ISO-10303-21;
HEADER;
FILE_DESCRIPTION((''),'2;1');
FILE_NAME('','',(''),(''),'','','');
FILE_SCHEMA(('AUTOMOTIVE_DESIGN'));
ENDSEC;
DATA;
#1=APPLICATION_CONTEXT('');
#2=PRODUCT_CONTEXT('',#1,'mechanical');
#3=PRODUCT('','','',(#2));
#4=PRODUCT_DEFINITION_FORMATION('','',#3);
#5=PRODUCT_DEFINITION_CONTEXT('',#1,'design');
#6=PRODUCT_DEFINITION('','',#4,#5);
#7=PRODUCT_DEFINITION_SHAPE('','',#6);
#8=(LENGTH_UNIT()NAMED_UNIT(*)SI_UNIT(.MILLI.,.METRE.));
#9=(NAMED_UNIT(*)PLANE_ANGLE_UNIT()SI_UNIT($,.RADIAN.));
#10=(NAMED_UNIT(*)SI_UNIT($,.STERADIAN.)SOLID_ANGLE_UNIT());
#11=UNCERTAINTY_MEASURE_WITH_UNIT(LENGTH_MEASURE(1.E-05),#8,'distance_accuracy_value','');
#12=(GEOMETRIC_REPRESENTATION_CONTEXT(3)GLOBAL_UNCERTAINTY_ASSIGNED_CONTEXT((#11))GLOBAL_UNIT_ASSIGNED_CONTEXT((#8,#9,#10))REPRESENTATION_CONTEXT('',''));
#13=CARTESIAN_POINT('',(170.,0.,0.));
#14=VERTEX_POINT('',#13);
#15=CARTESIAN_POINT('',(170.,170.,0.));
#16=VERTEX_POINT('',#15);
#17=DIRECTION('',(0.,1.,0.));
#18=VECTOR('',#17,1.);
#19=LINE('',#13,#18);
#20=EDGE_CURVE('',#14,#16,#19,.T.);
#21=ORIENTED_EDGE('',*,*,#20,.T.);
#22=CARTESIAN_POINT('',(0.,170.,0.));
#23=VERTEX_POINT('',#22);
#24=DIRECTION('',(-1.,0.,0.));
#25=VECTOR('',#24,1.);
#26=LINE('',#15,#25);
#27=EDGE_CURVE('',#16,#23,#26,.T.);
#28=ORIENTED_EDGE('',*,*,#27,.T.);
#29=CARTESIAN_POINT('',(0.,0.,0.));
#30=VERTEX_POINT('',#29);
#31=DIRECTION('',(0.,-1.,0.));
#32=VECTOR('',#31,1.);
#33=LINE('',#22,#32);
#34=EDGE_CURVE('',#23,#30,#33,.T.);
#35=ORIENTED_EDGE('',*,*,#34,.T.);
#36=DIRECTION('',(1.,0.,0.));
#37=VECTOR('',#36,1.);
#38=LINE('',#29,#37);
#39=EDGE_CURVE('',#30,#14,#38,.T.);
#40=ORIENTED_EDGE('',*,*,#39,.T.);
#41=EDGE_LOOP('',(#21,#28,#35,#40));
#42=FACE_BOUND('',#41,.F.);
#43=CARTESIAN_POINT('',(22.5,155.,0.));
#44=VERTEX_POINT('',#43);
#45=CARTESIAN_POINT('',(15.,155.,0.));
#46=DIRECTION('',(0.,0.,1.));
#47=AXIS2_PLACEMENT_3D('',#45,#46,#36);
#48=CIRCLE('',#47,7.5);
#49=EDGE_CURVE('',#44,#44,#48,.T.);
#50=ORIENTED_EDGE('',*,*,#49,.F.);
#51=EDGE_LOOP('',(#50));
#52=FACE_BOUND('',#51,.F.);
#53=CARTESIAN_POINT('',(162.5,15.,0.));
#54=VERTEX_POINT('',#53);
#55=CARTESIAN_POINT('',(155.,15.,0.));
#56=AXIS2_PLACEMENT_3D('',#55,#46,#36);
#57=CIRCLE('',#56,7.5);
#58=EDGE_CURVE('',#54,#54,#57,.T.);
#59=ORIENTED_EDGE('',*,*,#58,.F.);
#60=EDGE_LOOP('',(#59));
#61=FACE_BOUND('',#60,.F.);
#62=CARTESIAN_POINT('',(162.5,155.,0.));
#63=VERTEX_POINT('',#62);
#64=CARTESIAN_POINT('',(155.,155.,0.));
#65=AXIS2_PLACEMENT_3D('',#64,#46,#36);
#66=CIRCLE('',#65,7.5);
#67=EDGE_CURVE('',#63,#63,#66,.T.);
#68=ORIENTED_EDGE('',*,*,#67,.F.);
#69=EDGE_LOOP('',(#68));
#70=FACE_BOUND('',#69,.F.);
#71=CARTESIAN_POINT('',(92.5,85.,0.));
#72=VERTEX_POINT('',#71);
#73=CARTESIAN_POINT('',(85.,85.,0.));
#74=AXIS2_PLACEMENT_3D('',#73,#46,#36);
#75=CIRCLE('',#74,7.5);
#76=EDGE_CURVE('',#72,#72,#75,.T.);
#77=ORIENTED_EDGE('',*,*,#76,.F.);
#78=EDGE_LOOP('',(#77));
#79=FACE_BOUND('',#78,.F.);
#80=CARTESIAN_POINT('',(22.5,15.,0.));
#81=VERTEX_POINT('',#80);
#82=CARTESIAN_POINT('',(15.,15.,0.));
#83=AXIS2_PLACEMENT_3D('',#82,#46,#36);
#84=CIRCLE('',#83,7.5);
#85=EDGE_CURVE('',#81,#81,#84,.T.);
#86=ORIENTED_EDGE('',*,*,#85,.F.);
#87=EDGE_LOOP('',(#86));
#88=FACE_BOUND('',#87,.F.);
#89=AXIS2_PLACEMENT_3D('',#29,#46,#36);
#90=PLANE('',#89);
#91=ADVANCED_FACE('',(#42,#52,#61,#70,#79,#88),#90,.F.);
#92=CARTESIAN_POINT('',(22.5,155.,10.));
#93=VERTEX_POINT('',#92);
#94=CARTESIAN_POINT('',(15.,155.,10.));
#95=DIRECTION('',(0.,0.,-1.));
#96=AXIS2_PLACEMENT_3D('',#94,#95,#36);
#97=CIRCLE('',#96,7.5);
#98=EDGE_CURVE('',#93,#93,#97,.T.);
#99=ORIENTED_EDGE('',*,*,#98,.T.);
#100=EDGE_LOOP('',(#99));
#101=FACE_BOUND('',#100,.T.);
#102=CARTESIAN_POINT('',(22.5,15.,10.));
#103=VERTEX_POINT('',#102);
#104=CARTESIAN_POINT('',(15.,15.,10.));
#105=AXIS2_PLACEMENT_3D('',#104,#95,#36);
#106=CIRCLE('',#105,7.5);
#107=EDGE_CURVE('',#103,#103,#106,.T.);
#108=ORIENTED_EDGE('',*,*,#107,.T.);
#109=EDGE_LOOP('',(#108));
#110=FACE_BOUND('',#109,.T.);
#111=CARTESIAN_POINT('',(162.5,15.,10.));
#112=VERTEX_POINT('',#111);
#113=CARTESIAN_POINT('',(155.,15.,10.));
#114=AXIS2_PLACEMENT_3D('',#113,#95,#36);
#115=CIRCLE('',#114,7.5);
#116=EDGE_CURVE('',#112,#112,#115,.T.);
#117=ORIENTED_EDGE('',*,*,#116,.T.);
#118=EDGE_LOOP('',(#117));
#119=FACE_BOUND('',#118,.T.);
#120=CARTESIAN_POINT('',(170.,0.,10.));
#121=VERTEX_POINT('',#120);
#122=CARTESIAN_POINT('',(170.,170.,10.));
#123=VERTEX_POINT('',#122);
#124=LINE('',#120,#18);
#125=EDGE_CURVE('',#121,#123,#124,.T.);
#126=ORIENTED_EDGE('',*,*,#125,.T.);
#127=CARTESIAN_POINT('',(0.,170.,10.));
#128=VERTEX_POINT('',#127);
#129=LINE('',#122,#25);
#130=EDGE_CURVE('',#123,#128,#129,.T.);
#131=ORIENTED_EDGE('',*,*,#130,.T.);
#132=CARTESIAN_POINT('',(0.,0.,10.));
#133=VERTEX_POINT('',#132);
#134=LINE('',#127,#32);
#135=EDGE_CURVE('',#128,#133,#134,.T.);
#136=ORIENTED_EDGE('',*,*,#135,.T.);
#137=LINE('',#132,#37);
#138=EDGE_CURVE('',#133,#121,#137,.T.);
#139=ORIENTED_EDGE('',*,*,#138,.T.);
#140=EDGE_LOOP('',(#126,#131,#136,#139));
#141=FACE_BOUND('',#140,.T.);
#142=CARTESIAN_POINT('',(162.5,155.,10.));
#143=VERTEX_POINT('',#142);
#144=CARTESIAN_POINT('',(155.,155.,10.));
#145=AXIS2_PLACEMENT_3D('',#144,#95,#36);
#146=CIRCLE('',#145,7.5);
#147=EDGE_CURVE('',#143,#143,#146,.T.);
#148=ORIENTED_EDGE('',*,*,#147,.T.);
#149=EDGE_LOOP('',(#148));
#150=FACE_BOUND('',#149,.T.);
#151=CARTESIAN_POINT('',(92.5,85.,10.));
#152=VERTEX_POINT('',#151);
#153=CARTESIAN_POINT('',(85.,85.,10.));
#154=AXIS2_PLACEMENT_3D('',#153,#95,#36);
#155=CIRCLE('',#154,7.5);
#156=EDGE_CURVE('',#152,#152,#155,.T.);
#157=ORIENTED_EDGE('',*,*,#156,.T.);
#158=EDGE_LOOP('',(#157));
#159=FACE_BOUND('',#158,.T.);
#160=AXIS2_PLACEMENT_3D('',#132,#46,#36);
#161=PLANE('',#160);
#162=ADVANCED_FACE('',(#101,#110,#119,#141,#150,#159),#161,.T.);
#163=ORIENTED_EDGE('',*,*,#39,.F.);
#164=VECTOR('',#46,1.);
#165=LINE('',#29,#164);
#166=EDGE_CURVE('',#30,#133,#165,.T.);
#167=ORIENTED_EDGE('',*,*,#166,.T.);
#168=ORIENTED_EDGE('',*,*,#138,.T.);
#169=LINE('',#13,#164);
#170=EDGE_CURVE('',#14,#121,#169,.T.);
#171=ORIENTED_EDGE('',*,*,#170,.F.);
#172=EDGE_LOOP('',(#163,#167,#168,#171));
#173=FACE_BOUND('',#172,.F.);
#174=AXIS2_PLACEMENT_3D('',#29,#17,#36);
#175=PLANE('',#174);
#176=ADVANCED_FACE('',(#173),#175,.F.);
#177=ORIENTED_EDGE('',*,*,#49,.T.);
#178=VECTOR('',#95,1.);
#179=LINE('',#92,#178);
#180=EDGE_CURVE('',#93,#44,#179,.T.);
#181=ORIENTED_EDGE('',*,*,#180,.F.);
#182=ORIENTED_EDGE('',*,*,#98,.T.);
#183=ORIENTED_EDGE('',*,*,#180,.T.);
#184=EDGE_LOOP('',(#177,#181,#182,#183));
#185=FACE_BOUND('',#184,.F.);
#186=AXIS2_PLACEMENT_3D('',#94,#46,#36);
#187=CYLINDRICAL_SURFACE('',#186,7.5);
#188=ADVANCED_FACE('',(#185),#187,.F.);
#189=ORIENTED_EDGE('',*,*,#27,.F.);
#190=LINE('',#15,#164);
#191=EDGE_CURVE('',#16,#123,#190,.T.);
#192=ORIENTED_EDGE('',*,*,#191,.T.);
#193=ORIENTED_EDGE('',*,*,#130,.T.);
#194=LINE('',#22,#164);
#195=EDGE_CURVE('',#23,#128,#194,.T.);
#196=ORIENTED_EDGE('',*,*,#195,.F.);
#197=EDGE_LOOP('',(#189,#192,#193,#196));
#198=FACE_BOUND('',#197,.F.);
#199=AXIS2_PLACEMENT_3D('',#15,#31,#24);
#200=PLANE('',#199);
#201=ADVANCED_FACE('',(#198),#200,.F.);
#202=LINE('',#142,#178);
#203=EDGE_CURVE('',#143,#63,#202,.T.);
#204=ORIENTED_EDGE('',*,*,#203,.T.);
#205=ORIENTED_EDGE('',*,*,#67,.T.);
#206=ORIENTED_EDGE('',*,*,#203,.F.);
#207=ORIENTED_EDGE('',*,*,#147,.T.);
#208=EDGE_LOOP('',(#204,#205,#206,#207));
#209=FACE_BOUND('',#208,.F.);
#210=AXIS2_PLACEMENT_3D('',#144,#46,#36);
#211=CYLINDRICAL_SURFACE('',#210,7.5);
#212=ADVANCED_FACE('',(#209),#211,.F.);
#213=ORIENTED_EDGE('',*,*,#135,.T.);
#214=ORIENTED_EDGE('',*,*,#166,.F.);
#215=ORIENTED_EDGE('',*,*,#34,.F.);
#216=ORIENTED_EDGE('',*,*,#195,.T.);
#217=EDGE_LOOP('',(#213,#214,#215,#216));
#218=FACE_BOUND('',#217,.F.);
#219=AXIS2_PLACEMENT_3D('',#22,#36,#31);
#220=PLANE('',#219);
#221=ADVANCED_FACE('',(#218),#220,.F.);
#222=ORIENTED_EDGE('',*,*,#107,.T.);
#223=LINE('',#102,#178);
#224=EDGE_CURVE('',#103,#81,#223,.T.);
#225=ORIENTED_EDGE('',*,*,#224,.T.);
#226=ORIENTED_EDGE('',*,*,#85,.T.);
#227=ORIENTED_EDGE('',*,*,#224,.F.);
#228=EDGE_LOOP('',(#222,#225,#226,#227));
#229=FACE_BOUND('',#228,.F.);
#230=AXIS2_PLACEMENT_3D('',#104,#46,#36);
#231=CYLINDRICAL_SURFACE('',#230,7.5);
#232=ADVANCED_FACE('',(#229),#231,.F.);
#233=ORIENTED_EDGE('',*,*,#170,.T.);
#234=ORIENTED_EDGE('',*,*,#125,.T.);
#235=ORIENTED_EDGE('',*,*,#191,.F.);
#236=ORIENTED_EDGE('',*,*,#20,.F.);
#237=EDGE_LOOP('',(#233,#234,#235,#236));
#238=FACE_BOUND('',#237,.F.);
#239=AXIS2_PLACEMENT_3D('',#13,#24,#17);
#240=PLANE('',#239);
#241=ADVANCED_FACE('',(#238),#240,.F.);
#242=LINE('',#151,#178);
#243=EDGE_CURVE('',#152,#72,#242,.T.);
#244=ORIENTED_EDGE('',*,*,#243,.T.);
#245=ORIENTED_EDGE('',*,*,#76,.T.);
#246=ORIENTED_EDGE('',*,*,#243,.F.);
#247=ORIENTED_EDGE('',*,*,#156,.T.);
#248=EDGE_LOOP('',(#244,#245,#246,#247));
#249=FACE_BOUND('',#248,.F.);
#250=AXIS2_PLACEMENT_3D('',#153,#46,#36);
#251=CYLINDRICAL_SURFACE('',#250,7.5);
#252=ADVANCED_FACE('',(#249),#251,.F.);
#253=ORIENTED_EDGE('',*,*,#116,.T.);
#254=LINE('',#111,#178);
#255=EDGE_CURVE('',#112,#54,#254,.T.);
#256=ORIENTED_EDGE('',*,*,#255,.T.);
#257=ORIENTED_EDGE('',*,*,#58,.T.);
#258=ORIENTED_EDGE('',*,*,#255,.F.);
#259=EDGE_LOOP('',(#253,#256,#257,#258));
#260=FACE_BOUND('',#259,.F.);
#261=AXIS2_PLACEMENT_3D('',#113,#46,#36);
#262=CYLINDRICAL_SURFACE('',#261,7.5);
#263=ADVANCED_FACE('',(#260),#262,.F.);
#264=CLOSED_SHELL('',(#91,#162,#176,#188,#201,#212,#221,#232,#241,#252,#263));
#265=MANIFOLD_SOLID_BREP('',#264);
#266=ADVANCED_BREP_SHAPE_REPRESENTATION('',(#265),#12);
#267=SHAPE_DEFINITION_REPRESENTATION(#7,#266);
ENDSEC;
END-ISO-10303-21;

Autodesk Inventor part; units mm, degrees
ref_plane "YZ Plane" through (0, 0, 0) normal (1, 0, 0) x (0, 1, 0)
ref_plane "XZ Plane" through (0, 0, 0) normal (0, 1, 0) x (-1, 0, 0)
ref_plane "XY Plane" through (0, 0, 0) normal (0, 0, 1) x (1, 0, 0)
sketch "Sketch1" plane through (0, 0, 0) normal (0, 0, 1) x (1, 0, 0)
  line L0 (0, 0) -> (170, 0)
  line L1 (170, 0) -> (170, 170)
  line L2 (170, 170) -> (0, 170)
  line L3 (0, 170) -> (0, 0)
  dimension "d0" = 170
  dimension "d1" = 170
extrude "Extrusion1" add sketch "Sketch1" along normal blind 10
sketch "Sketch2" plane through (0, 0, 10) normal (0, 0, 1) x (1, 0, 0)
  line L0 (170, 170) -> (0, 170) projected
  line L1 (0, 170) -> (0, 155)
  line L2 (0, 170) -> (0, 0) projected
  line L3 (0, 0) -> (170, 0) projected
  line L4 (0, 0) -> (0, 15)
  line L5 (0, 15) -> (155, 15)
  line L6 (155, 15) -> (155, 155)
  line L7 (155, 155) -> (15, 155)
  line L8 (15, 155) -> (15, 15)
  line L9 (15, 155) -> (30, 155)
  circle A0 centre (15, 155) radius 7.5
  circle A1 centre (155, 155) radius 7.5
  circle A2 centre (155, 15) radius 7.5
  circle A3 centre (15, 15) radius 7.5
  dimension "d4" = 15
  dimension "d5" = 15
  dimension "d6" = 155
  dimension "d7" = 140
  dimension "d8" = 140
  dimension "d9" = 140
  dimension "d10" = 15
  dimension "d11" = 15
  dimension "d12" = 15
  dimension "d13" = 15
extrude "Extrusion2" cut sketch "Sketch2" against normal blind 10 contours L8 A3 L5 | L5 A3 | L5 A3 L8 | A2 L6 L5 | L5 L6 A2 | A0 L7 L8 | L8 L7 A0 | A1 L7 L6 | L6 L7 A1
sketch "Sketch3" plane through (0, 0, 10) normal (0, 0, 1) x (1, 0, 0)
  line L0 (170, 170) -> (0, 170) projected
  line L1 (0, 170) -> (85, 170)
  line L2 (85, 170) -> (85, 85)
  circle A0 centre (85, 85) radius 7.5
  point P0 (0, 0)
  dimension "d16" = 85
  dimension "d17" = 85
  dimension "d18" = 15
extrude "Extrusion3" cut sketch "Sketch3" against normal blind 10
properties part number "AB"
